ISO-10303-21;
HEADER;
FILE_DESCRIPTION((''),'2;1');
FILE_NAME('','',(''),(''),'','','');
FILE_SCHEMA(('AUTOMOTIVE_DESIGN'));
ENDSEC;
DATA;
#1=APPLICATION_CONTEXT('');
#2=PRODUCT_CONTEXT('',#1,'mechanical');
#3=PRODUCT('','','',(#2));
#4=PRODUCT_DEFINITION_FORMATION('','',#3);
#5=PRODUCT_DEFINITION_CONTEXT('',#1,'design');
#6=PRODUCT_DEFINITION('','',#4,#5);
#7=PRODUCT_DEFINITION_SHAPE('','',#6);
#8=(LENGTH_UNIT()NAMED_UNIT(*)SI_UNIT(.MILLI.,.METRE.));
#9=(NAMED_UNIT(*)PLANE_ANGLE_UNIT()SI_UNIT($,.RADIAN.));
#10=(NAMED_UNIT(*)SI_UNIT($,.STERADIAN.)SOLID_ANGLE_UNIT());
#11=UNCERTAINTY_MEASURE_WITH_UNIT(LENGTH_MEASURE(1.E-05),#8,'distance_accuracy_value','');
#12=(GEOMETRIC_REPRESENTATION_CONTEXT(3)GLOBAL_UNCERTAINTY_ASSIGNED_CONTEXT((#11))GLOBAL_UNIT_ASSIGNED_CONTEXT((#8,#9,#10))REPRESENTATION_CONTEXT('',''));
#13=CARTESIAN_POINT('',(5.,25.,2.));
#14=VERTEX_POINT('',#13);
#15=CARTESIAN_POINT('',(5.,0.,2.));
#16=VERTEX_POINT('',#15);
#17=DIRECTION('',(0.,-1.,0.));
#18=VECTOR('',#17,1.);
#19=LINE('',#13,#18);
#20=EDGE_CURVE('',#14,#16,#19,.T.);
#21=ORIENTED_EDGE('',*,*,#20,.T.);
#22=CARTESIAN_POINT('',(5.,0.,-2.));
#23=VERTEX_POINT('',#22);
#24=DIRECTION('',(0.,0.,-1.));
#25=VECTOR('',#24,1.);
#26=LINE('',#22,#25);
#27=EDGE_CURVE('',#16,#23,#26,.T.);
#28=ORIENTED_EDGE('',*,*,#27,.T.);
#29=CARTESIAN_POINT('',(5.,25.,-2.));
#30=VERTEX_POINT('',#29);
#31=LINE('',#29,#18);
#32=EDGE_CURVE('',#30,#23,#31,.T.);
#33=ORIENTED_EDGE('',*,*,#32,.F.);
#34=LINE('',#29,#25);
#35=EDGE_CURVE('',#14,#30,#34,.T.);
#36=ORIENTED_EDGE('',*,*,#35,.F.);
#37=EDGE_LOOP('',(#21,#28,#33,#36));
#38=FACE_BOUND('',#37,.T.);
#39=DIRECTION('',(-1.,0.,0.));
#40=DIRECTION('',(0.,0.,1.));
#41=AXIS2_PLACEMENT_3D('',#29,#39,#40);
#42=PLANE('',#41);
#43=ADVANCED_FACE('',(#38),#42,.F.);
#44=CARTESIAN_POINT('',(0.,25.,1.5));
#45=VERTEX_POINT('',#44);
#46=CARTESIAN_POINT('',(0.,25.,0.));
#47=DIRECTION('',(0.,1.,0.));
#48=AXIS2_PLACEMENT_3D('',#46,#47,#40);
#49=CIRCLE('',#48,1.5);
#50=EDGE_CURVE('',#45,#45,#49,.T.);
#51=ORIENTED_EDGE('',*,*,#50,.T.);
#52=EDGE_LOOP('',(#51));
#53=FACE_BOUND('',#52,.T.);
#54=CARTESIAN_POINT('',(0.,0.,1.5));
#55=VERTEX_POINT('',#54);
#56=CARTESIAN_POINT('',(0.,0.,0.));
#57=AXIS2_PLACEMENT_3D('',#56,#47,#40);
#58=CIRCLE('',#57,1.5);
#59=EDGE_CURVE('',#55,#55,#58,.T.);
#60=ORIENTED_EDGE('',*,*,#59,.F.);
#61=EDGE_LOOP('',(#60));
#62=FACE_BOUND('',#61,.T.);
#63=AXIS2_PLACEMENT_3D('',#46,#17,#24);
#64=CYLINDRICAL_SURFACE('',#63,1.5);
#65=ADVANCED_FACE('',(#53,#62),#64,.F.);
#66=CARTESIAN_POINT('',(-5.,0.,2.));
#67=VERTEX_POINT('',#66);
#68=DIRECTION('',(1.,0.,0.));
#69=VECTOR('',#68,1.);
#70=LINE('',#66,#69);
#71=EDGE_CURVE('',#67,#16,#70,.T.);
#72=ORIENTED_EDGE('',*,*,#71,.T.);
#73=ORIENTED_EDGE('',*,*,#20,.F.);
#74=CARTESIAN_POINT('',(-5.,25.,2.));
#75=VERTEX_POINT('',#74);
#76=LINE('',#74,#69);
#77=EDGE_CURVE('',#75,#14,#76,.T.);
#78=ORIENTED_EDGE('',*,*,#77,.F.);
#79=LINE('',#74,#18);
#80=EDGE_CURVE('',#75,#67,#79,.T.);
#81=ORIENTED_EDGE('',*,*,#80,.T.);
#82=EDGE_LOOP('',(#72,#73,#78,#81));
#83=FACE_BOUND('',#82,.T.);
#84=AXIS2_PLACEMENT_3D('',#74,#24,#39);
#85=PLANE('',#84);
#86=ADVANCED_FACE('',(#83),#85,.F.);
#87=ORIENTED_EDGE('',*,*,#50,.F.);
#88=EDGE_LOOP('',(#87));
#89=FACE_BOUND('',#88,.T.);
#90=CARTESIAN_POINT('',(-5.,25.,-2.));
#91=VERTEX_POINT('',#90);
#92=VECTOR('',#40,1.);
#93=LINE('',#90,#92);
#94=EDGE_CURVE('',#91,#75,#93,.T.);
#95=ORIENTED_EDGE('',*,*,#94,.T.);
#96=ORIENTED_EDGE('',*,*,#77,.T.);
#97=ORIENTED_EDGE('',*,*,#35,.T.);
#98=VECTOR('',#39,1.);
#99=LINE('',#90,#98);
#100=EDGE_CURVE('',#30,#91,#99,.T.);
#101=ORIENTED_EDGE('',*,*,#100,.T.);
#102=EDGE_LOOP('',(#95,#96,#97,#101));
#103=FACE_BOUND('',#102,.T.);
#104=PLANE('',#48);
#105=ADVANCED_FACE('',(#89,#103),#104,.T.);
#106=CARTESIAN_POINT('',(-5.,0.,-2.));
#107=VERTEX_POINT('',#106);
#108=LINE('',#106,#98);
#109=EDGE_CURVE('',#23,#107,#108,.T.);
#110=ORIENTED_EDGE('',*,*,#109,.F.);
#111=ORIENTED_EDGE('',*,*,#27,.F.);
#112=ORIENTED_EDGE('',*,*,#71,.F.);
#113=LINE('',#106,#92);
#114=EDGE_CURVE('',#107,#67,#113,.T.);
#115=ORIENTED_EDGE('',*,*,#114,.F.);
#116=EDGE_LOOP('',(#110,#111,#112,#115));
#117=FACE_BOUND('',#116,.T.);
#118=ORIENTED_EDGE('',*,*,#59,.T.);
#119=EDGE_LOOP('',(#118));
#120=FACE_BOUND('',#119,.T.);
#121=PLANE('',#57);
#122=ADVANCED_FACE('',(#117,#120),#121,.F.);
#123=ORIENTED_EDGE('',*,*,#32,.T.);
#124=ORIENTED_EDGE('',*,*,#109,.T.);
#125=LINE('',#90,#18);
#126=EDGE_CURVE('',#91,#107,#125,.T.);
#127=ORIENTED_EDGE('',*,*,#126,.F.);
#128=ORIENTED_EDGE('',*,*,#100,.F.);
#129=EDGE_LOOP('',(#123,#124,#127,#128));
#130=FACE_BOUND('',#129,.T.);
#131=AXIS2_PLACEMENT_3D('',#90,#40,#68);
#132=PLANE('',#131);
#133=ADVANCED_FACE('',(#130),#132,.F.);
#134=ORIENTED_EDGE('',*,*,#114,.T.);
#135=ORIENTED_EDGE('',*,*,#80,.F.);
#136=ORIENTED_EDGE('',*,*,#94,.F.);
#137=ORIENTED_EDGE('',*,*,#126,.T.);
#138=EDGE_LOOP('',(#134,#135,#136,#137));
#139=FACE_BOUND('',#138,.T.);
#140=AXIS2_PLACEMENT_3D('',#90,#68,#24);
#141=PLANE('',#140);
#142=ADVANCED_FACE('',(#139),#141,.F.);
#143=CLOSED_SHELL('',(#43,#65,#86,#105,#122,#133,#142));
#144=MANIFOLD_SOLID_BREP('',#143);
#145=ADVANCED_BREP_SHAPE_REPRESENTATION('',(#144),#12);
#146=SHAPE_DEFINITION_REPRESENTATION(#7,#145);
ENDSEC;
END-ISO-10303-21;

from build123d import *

# Parameters (mm, degrees)
SKETCH1_W           = 10
SKETCH1_H           = 4
SKETCH1_R           = 1.5
BOSS_EXTRUDE1_DEPTH = 25


with BuildPart() as part:
    # Sketch1 → Boss-Extrude1 (new body)
    with BuildSketch(Plane(origin=(0, 0, 0), x_dir=(1, 0, 0), z_dir=(0, 1, 0))):
        Rectangle(SKETCH1_W, SKETCH1_H)
        Circle(SKETCH1_R, mode=Mode.SUBTRACT)
    extrude(amount=BOSS_EXTRUDE1_DEPTH)


solid = part.part
